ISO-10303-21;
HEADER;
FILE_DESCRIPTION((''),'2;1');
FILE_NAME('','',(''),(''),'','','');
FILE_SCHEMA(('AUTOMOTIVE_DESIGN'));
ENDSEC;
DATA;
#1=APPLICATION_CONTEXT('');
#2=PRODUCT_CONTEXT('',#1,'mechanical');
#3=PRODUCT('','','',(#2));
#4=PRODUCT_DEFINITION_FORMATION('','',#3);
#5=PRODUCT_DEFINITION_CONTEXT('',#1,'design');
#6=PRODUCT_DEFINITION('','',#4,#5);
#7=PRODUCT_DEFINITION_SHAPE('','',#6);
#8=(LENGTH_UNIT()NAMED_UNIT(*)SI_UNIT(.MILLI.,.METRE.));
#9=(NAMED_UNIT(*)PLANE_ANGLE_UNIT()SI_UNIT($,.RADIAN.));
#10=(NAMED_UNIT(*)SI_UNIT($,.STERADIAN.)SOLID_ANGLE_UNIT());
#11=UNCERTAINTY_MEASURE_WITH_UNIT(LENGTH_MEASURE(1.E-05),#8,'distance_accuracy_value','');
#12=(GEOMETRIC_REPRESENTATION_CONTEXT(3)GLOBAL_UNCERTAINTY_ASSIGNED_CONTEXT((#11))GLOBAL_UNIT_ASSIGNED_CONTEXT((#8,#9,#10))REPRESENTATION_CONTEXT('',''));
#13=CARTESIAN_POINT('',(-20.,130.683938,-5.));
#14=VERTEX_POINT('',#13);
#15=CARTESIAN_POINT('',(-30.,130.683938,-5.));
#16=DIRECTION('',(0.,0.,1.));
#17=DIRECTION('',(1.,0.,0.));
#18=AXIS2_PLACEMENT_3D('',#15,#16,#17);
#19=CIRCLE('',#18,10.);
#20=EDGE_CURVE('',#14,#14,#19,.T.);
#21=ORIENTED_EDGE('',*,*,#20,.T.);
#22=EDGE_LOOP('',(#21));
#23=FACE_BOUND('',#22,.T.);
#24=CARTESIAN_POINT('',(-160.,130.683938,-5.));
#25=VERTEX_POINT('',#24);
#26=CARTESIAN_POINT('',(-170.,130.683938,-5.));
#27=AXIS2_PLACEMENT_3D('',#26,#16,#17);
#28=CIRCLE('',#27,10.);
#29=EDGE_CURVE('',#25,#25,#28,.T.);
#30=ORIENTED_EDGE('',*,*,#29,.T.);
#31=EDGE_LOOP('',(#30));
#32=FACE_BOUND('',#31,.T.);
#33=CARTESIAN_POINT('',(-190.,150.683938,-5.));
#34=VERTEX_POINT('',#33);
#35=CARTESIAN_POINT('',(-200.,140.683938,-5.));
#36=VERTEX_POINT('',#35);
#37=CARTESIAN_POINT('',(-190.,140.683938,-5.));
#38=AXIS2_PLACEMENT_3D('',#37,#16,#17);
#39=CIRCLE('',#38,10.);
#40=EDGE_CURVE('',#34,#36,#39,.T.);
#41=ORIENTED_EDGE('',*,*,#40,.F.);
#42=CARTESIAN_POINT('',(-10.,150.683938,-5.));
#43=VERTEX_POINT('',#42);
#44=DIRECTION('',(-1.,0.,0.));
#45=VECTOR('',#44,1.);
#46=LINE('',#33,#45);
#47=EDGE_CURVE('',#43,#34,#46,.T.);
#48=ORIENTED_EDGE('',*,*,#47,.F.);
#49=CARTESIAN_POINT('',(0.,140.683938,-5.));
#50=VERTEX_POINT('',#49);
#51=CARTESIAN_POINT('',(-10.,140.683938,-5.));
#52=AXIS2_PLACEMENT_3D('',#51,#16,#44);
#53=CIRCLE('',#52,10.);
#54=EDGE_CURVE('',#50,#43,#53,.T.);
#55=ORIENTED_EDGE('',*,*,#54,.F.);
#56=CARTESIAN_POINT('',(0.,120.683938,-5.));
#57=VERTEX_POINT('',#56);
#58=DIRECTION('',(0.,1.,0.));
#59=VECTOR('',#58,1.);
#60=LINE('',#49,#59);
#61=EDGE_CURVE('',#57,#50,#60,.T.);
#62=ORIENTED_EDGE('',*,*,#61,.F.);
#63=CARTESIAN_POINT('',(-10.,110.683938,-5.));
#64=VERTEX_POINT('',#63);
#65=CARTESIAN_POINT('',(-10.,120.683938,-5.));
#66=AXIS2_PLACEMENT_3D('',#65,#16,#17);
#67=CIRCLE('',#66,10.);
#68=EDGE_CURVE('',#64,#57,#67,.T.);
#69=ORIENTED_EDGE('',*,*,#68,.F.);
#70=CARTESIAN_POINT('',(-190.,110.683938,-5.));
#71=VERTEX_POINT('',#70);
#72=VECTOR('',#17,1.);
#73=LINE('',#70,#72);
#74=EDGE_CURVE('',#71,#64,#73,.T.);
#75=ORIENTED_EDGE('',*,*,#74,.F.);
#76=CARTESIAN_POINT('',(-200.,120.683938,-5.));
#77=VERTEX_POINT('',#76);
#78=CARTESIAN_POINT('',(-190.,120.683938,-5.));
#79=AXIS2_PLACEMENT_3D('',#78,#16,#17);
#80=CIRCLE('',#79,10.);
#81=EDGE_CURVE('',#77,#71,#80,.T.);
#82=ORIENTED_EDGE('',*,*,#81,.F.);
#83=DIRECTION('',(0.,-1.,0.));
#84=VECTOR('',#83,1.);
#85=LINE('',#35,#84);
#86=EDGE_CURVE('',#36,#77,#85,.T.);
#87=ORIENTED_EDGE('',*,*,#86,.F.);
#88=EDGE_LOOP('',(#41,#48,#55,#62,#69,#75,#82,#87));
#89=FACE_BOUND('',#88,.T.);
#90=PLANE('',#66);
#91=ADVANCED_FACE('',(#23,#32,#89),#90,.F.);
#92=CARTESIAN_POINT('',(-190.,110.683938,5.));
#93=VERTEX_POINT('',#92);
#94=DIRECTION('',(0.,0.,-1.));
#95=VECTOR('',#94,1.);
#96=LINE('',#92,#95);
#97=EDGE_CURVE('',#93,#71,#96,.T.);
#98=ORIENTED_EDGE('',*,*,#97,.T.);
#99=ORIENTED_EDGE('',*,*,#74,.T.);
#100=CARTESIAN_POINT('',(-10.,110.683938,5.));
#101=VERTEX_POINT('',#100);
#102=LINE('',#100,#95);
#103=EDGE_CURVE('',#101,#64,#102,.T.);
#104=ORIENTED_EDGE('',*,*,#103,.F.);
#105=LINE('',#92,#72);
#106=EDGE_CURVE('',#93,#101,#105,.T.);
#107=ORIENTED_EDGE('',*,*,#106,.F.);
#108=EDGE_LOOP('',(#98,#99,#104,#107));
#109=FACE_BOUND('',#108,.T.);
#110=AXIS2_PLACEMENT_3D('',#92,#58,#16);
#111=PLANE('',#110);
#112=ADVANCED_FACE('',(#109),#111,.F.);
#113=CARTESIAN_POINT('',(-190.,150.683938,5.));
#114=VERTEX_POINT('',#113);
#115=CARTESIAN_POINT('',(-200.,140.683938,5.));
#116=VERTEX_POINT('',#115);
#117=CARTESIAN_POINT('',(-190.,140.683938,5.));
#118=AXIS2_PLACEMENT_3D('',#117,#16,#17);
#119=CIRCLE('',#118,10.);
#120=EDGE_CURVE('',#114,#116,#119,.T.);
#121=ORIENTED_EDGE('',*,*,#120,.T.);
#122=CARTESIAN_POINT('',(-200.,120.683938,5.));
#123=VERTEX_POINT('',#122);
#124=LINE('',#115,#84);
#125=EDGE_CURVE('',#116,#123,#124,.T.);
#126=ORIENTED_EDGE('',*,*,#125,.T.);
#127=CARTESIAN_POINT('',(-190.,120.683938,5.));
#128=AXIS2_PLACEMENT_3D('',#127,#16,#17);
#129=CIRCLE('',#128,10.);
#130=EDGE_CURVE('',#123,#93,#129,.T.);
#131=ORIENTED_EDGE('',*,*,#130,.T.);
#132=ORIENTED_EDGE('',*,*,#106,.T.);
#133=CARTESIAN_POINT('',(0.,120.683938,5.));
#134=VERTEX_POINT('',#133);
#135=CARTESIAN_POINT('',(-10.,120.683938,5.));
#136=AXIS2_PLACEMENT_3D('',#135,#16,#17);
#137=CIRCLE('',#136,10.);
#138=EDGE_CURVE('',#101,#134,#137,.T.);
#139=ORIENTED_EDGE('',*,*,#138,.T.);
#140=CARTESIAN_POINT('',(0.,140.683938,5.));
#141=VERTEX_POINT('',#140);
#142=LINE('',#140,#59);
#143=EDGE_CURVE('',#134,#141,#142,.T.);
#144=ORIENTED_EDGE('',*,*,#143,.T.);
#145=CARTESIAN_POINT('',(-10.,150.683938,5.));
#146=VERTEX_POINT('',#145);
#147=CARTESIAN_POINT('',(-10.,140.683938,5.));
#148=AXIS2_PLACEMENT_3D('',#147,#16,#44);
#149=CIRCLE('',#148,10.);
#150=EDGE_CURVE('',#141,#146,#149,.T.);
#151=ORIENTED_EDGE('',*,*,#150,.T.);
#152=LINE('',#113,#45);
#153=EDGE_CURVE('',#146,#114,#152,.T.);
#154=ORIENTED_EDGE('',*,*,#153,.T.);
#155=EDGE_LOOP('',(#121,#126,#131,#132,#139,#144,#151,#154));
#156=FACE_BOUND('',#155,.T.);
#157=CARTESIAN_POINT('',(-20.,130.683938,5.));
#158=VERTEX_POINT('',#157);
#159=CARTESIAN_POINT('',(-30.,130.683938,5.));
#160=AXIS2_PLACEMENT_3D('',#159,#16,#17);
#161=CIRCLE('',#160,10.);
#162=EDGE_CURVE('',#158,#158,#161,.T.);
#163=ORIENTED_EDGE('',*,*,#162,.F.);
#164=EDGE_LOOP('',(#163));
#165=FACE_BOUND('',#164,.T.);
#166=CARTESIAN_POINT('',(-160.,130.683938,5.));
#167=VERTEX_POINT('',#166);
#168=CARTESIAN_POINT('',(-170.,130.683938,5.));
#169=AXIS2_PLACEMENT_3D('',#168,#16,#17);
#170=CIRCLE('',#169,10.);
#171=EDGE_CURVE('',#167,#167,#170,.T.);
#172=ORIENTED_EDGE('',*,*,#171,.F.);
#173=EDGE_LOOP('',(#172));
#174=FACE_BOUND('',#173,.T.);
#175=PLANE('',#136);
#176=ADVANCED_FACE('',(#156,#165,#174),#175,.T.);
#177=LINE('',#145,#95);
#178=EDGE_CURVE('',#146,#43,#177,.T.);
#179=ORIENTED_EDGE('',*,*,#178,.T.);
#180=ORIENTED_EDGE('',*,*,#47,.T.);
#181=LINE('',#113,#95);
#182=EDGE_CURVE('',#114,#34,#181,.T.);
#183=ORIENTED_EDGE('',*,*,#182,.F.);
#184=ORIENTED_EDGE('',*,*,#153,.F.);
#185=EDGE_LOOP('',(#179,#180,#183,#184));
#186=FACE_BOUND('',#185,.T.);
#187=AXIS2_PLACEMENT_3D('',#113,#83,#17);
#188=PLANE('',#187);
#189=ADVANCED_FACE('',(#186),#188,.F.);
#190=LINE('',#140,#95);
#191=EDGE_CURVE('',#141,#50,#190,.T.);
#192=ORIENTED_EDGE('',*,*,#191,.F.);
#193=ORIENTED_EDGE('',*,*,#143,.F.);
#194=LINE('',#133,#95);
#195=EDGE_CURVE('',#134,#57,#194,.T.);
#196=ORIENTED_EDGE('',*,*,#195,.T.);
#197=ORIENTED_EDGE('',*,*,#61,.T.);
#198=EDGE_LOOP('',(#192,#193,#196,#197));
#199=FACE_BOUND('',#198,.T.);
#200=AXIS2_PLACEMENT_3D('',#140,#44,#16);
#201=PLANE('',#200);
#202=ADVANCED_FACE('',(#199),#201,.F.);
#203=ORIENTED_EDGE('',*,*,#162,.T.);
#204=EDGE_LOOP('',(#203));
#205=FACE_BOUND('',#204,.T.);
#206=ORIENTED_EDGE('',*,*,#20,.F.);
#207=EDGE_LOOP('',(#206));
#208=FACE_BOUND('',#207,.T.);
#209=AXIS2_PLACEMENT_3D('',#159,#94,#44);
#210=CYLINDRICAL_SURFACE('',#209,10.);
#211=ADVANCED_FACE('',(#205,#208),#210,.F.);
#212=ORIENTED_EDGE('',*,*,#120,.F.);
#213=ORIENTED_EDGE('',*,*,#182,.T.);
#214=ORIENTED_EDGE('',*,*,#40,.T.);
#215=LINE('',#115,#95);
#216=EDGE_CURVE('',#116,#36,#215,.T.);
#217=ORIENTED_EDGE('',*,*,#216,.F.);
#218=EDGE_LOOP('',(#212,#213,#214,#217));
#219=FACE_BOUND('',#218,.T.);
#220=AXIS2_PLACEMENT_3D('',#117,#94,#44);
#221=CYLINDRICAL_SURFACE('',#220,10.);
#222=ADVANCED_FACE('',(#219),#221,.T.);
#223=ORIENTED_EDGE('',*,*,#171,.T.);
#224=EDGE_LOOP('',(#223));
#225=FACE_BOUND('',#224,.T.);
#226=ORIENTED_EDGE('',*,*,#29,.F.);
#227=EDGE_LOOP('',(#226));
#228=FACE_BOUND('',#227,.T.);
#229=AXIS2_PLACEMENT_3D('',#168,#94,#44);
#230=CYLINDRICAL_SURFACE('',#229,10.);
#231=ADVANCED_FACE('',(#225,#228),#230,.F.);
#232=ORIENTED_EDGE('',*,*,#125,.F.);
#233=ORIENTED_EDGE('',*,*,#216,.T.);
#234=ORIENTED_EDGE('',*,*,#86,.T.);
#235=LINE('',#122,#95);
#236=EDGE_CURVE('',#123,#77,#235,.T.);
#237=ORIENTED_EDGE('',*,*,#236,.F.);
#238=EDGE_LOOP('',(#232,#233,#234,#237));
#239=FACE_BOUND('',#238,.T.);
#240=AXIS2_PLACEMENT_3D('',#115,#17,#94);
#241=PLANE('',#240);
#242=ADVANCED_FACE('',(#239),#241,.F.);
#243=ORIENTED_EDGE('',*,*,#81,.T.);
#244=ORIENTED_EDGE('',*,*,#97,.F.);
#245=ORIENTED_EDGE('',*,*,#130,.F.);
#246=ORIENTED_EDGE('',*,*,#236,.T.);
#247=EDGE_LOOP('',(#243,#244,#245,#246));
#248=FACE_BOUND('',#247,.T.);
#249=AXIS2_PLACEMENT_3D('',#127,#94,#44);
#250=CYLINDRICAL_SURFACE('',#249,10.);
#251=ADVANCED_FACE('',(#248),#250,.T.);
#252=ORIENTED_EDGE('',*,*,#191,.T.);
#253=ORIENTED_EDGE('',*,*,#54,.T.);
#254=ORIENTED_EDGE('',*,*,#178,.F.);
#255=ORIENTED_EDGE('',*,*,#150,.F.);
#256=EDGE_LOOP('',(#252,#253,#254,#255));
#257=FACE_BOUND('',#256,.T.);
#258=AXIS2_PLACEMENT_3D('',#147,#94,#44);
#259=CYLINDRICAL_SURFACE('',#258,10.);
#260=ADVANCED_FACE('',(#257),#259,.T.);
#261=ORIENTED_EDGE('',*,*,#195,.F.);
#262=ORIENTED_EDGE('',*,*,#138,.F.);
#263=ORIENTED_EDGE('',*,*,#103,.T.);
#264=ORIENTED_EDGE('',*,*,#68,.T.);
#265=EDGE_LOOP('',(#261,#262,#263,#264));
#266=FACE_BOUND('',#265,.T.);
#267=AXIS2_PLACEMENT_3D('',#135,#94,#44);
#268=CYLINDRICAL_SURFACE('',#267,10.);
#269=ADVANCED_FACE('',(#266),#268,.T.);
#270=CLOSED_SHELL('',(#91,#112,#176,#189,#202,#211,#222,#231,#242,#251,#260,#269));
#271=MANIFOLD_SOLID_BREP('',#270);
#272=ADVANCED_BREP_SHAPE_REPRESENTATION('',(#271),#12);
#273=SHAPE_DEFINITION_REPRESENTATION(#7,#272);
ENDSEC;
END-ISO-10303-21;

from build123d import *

# Parameters (mm, degrees)
SKETCH1_R           = 10
BOSS_EXTRUDE1_DEPTH = 5


with BuildPart() as part:
    # Sketch1 → Boss-Extrude1 (new body, symmetric)
    with BuildSketch(Plane.XY):
        with BuildLine():
            Line((-190, 150.683938376), (-10, 150.683938376))
            ThreePointArc((-10, 150.683938376), (-2.928932188, 147.755006188), (0, 140.683938376))
            Line((0, 140.683938376), (0, 120.683938376))
            ThreePointArc((0, 120.683938376), (-2.928932188, 113.612870564), (-10, 110.683938376))
            Line((-10, 110.683938376), (-190, 110.683938376))
            ThreePointArc((-190, 110.683938376), (-197.071067812, 113.612870564), (-200, 120.683938376))
            Line((-200, 120.683938376), (-200, 140.683938376))
            ThreePointArc((-200, 140.683938376), (-197.071067812, 147.755006188), (-190, 150.683938376))
        make_face()
        with Locations((-170, 130.683938376)):
            Circle(SKETCH1_R, mode=Mode.SUBTRACT)
        with Locations((-30, 130.683938376)):
            Circle(SKETCH1_R, mode=Mode.SUBTRACT)
    extrude(amount=BOSS_EXTRUDE1_DEPTH, both=True)


solid = part.part
